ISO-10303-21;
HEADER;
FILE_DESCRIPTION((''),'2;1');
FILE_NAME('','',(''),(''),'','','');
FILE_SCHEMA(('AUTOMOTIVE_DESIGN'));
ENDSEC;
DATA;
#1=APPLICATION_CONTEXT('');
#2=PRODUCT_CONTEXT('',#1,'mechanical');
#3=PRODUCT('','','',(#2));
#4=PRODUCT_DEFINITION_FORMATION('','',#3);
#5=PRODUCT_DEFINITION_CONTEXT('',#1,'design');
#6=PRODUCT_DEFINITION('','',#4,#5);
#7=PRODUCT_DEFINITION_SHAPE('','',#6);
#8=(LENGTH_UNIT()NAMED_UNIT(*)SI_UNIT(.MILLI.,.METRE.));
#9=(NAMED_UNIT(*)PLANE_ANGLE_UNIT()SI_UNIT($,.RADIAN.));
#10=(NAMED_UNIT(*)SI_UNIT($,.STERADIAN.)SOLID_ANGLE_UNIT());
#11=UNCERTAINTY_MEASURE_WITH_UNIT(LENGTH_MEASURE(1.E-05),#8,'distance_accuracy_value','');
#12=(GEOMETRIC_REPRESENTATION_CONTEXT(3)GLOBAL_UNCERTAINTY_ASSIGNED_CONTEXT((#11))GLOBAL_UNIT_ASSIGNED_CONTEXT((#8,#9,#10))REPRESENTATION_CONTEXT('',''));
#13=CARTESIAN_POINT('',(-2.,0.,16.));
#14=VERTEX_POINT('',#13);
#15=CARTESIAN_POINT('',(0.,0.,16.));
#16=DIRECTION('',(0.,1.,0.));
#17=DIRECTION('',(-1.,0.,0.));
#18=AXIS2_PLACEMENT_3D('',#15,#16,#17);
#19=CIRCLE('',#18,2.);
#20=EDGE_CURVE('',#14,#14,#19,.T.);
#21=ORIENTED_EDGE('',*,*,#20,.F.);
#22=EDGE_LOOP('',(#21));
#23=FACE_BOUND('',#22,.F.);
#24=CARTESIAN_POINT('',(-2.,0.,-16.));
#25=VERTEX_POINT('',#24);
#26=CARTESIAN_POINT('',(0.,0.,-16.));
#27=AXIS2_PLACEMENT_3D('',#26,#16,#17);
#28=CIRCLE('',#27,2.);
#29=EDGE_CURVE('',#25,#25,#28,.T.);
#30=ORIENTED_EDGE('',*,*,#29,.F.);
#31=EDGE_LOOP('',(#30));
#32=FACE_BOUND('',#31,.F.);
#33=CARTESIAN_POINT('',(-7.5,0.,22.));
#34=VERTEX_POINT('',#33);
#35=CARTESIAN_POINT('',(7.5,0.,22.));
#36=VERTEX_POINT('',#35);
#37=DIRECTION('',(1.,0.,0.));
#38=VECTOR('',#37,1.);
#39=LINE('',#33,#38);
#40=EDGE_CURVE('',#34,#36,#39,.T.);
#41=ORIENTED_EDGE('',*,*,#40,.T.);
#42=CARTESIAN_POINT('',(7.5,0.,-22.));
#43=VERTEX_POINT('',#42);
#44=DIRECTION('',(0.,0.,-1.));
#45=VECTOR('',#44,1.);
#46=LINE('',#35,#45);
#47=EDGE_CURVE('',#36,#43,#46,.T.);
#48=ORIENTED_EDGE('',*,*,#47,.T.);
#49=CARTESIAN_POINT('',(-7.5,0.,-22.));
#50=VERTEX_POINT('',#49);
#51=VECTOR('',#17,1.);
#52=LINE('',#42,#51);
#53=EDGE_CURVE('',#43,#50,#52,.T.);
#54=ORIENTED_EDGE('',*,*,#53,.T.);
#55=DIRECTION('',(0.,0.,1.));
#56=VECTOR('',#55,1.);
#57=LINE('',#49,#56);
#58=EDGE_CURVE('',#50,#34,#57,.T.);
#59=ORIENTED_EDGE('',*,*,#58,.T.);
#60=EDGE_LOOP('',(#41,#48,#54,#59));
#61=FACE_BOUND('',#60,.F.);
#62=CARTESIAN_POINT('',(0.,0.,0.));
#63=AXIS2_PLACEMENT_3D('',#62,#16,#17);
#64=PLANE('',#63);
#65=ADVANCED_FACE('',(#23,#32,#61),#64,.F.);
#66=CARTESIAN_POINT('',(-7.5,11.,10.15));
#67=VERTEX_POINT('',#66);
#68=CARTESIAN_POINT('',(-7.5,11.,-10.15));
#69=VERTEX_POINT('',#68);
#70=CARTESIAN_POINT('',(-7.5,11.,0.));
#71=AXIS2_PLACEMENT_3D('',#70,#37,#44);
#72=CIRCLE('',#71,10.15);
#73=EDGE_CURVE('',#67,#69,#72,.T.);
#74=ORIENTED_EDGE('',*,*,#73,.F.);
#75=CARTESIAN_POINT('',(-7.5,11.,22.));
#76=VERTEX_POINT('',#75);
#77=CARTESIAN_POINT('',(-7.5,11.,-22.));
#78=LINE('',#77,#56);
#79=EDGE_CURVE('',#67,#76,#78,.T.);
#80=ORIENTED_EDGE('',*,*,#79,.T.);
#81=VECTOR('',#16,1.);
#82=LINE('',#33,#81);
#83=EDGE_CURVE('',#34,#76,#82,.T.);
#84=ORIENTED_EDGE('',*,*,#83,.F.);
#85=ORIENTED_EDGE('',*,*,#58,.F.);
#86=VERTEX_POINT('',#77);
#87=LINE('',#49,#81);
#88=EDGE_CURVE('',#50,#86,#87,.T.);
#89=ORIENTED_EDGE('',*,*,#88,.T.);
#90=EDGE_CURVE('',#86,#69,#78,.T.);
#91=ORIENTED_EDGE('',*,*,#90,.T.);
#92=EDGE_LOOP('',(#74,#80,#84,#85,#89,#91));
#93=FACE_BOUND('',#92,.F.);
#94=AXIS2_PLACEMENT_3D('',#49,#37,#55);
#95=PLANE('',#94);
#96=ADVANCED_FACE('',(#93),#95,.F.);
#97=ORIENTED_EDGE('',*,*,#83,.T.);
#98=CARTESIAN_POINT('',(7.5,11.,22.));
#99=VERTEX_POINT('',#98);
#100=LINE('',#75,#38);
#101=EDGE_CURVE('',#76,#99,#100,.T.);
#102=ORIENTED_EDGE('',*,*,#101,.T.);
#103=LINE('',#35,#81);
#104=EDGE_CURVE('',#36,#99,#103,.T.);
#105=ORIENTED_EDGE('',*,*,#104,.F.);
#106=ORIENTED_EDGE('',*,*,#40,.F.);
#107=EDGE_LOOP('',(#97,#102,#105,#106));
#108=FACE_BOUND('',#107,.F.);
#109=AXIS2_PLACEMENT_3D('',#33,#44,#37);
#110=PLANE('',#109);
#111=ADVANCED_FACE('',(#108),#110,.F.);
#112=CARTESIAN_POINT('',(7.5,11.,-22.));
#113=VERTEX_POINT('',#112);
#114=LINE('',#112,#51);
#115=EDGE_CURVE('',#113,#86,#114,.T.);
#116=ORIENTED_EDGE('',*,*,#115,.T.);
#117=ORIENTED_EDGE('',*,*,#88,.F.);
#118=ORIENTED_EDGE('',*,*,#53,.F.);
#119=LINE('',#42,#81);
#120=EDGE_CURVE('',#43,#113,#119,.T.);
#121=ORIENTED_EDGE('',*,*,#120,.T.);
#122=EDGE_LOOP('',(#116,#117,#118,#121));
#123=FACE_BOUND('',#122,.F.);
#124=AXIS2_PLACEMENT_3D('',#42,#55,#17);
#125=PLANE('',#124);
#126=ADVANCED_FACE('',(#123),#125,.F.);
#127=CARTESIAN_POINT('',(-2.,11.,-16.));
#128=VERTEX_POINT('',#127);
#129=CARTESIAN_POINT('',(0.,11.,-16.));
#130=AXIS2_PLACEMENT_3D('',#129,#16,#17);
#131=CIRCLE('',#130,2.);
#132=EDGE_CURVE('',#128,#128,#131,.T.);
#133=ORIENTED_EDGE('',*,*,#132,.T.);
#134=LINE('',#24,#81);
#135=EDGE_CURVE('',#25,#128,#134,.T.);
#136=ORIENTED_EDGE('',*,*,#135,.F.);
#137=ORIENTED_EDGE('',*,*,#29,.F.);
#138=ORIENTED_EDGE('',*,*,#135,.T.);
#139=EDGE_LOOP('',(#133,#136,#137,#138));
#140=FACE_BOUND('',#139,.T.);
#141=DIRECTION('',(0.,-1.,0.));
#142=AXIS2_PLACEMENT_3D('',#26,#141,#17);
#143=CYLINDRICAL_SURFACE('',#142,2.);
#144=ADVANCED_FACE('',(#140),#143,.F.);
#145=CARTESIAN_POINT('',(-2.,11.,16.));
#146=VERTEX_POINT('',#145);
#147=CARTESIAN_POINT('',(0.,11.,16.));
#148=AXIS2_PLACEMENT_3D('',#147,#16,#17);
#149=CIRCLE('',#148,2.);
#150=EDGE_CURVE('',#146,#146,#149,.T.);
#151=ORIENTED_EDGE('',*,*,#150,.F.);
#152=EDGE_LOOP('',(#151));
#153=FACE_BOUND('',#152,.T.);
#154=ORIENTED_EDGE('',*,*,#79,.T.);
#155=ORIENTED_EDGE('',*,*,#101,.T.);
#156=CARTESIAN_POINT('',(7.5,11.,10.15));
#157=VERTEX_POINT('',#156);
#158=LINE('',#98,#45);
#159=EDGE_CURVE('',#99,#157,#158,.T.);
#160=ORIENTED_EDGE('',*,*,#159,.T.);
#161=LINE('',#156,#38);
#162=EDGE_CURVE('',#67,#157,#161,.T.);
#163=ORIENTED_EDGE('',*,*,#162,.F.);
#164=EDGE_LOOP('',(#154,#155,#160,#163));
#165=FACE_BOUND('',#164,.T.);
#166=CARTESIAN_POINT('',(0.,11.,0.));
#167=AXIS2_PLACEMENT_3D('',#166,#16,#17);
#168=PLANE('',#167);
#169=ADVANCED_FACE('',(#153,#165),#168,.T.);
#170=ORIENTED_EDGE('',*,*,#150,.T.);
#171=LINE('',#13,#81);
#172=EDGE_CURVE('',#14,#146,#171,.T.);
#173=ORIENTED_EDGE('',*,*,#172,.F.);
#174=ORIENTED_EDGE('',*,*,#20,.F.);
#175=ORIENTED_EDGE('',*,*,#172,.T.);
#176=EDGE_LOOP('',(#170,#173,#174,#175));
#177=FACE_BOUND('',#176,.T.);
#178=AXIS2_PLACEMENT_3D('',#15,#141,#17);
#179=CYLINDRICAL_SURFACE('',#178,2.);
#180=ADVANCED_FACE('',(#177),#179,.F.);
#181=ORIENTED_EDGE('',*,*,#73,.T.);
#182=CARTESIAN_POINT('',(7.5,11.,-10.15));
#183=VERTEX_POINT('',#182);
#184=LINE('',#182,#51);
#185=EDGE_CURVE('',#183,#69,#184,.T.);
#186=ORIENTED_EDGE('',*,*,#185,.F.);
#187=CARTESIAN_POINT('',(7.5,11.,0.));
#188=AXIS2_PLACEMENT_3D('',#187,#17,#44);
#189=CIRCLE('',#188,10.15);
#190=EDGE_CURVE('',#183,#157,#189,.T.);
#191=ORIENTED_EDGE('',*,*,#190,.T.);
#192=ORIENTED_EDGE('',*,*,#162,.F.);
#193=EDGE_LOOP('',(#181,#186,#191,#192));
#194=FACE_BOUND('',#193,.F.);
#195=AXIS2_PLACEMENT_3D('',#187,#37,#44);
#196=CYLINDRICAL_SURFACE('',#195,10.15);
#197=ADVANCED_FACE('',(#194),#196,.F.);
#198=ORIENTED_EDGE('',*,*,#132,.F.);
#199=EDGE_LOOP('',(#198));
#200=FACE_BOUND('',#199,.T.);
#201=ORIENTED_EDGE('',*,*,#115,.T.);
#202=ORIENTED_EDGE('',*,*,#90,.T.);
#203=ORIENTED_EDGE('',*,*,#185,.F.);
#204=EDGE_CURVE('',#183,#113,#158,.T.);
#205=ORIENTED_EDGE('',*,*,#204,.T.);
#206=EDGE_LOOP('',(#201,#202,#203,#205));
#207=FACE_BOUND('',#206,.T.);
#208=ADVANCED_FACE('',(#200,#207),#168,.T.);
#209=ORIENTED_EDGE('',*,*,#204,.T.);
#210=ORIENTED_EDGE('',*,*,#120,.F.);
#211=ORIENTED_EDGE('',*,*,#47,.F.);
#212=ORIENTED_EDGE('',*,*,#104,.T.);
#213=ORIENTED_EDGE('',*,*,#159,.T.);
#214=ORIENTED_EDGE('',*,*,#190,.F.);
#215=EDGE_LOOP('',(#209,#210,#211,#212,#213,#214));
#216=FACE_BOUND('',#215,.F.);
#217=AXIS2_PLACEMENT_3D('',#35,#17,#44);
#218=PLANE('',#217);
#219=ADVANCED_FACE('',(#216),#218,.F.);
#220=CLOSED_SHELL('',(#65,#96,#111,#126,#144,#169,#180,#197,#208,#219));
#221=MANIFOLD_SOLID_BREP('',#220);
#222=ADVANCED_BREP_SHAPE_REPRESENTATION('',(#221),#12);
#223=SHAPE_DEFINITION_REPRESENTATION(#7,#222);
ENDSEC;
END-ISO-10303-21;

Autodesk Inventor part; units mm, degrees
ref_plane "YZ Plane" through (0, 0, 0) normal (1, 0, 0) x (0, 1, 0)
ref_plane "XZ Plane" through (0, 0, 0) normal (0, 1, 0) x (-1, 0, 0)
ref_plane "XY Plane" through (0, 0, 0) normal (0, 0, 1) x (1, 0, 0)
sketch "Эскиз1" plane through (0, 0, 0) normal (0, 1, 0) x (-1, 0, 0)
  line L0 (7.5, 22) -> (-7.5, 22)
  line L1 (-7.5, 22) -> (-7.5, -22)
  line L2 (-7.5, -22) -> (7.5, -22)
  line L3 (7.5, -22) -> (7.5, 22)
  line L4 (-7.5, 22) -> (7.5, -22) construction
  line L5 (0, 22) -> (0, -22) construction
  circle A0 centre (0, 16) radius 2
  line L6 (7.5, 0) -> (-7.5, 0) construction
  circle A1 centre (0, -16) radius 2
  point P0 (0, 0)
  point P1 (0, 0)
  dimension "d0" = 15
  dimension "d1" = 44
  dimension "d2" = 16
  dimension "d3" = 4
extrude "Выдавливание1" add sketch "Эскиз1" along normal blind 11
sketch "Эскиз2" plane through (7.5, 0, 22) normal (1, 0, 0) x (0, 0, -1)
  line L0 (0, 11) -> (44, 11) projected
  circle A0 centre (22, 11) radius 10.15
  point P0 (22, 0)
  dimension "d6" = 20.3
extrude "Выдавливание2" cut sketch "Эскиз2" against normal through all
properties part number "motor_mount"
